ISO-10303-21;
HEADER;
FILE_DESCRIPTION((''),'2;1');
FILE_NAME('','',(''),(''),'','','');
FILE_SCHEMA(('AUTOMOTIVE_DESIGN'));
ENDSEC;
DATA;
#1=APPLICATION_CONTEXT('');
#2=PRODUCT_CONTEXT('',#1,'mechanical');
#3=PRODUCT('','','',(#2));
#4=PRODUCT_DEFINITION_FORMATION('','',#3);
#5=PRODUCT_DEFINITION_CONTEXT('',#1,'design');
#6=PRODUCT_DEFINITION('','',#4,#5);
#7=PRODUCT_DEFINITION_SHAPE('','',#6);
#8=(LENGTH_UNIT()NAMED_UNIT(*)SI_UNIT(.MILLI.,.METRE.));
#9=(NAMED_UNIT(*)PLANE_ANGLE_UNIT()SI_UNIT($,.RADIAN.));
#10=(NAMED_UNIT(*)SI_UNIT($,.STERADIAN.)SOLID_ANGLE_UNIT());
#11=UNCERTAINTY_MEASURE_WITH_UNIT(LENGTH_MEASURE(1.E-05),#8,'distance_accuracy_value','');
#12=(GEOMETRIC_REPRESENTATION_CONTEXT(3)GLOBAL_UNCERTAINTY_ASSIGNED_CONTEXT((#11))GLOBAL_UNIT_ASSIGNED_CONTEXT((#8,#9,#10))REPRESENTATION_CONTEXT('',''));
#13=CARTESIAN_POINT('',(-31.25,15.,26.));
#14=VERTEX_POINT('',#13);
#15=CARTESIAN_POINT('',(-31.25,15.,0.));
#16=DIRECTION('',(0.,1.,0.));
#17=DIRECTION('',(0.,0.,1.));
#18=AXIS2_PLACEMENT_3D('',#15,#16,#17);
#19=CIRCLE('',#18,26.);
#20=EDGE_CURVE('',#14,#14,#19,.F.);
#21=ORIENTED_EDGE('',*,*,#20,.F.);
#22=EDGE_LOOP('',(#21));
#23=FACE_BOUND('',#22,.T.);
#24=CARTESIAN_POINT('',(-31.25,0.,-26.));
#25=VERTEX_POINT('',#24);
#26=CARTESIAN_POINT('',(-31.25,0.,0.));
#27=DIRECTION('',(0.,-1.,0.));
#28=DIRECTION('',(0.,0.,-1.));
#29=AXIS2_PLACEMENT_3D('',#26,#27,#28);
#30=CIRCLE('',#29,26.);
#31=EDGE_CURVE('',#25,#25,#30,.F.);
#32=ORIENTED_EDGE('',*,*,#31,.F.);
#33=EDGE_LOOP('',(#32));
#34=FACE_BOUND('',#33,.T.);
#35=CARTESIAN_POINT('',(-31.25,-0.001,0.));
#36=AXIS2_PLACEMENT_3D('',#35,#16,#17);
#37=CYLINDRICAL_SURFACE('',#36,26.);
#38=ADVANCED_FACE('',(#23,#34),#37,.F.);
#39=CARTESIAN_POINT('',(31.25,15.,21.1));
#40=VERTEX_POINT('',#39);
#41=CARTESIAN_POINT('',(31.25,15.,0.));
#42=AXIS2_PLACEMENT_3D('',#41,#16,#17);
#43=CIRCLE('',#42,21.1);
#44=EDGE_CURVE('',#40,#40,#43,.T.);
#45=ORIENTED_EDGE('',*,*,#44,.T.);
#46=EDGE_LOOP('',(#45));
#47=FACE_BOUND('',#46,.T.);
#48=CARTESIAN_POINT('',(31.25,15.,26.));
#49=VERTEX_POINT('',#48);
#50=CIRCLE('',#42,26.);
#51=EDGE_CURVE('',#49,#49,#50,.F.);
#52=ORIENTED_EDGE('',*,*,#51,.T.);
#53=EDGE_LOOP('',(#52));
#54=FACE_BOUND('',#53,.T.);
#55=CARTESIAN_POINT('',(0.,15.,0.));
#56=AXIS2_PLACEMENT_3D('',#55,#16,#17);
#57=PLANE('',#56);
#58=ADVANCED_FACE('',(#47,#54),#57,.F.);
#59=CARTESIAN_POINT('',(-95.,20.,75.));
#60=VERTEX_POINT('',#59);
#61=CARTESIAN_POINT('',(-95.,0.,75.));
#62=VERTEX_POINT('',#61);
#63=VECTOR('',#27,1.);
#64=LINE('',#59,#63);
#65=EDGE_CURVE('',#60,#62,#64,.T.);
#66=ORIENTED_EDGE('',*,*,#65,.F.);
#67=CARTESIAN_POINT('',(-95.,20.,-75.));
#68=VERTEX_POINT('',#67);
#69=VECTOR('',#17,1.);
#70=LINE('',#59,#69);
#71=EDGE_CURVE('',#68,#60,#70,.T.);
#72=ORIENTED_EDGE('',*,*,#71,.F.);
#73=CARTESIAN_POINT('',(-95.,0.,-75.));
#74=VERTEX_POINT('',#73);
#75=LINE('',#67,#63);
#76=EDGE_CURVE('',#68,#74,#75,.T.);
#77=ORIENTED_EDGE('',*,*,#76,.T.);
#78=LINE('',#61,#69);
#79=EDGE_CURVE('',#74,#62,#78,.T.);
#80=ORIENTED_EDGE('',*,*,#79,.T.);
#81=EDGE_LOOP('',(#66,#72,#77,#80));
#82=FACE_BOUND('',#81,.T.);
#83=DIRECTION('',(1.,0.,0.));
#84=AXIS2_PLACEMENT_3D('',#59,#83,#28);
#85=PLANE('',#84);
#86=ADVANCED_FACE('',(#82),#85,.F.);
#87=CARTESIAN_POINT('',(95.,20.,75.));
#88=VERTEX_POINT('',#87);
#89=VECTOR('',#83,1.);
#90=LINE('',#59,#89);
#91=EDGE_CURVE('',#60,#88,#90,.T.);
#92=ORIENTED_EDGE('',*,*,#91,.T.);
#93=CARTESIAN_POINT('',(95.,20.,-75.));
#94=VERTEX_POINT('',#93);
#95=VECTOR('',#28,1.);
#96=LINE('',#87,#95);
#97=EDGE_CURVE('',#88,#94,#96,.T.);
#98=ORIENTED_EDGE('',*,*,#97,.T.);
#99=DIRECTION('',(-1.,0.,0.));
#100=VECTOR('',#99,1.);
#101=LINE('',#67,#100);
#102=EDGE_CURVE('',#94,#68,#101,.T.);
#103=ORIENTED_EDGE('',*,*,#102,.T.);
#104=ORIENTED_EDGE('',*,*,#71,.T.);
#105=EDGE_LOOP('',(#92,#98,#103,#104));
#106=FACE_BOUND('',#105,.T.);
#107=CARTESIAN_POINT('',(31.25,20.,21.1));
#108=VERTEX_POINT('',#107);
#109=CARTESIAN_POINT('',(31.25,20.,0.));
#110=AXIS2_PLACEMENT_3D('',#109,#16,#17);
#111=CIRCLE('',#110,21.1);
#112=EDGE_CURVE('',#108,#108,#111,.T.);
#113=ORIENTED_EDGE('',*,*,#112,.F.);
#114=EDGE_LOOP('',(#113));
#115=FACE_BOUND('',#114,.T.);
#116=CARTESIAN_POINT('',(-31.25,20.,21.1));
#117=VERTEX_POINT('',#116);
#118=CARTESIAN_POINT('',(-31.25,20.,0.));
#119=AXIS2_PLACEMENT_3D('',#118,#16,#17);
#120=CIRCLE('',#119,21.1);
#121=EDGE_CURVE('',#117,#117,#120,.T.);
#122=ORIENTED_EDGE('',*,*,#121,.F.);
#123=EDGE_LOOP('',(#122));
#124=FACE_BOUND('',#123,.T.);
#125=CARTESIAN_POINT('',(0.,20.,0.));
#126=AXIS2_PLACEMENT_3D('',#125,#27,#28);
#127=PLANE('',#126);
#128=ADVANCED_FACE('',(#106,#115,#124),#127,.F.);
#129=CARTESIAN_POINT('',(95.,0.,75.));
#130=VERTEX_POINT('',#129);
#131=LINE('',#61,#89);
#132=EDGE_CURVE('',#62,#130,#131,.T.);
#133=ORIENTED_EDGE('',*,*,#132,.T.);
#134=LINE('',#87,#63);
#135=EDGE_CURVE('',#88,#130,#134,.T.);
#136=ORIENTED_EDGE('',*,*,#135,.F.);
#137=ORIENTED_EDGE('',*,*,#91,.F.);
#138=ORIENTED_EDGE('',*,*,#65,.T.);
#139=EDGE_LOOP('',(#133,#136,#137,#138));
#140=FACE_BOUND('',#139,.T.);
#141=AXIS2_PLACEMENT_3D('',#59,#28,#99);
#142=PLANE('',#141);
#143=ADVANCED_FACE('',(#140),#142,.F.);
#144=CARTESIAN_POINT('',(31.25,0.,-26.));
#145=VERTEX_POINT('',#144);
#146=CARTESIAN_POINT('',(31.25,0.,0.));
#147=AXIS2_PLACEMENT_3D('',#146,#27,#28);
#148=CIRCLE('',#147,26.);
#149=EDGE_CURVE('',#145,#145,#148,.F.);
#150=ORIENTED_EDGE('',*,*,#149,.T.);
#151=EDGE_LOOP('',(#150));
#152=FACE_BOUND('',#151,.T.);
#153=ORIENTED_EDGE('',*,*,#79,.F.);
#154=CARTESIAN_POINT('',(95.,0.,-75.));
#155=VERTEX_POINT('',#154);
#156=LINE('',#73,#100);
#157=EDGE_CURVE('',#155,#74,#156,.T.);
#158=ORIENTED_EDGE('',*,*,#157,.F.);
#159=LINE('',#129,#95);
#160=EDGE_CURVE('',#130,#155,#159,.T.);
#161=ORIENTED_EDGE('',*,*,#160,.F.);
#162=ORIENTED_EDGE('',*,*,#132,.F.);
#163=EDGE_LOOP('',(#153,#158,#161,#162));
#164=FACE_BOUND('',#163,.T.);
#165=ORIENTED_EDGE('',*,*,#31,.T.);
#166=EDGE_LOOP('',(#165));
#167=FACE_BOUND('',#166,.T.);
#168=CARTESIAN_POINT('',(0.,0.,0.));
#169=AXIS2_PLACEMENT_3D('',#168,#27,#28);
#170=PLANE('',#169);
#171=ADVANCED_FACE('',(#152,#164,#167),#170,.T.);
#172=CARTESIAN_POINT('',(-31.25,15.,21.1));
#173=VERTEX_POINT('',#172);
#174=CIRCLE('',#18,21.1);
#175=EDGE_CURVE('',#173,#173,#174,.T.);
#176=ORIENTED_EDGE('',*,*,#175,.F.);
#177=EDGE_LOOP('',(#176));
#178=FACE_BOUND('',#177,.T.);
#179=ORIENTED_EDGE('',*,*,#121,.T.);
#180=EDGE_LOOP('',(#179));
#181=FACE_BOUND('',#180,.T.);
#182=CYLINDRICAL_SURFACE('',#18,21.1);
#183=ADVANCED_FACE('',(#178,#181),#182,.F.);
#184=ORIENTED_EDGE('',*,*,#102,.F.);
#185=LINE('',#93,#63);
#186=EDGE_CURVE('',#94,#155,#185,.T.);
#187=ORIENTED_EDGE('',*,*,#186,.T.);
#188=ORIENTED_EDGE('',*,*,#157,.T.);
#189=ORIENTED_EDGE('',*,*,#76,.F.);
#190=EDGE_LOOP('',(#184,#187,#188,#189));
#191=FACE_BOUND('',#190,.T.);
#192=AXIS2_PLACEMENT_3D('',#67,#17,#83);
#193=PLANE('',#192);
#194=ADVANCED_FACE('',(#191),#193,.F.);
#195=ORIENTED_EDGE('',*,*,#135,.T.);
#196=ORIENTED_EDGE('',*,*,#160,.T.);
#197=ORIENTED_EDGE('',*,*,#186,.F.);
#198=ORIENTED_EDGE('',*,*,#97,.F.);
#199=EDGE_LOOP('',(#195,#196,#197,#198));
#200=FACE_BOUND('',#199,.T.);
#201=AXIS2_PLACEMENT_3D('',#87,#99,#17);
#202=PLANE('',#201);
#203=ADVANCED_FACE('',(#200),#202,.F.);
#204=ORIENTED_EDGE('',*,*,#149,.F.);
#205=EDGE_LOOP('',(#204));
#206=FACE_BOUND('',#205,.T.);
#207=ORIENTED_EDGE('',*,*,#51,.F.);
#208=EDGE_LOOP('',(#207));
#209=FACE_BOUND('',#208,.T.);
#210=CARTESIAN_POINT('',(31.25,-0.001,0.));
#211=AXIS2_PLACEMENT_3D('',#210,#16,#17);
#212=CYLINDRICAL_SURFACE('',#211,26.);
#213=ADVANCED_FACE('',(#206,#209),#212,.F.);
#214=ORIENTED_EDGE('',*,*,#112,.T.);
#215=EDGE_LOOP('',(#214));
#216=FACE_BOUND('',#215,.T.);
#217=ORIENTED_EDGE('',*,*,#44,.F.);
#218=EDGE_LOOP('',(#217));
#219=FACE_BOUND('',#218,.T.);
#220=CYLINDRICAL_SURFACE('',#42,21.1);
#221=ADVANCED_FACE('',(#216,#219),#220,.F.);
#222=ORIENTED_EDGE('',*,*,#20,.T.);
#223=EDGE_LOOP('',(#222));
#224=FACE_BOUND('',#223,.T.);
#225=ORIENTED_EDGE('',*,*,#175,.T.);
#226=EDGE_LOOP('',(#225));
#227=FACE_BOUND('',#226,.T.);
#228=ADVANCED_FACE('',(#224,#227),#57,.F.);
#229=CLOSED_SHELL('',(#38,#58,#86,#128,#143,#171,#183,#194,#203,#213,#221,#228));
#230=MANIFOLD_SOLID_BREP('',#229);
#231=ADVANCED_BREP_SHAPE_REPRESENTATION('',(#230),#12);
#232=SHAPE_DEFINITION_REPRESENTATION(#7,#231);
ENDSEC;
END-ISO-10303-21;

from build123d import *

# Parameters (mm, degrees)
SKETCH1_W           = 190
SKETCH1_H           = 150
BOSS_EXTRUDE1_DEPTH = 20
CUT_EXTRUDE1_REACH  = 124.678
SKETCH2_R           = 26
SKETCH9_R           = 26
SKETCH9_R_2         = 21.1
BOSS_EXTRUDE2_DEPTH = 5


with BuildPart() as part:
    # Sketch1 → Boss-Extrude1 (new body)
    with BuildSketch(Plane(origin=(0, 0, 0), x_dir=(1, 0, 0), z_dir=(0, 1, 0))):
        Rectangle(SKETCH1_W, SKETCH1_H)
    extrude(amount=BOSS_EXTRUDE1_DEPTH)

    # Sketch2 → Cut-Extrude1 (cut, up to next)
    with BuildSketch(Plane(origin=(0, 20, 0), x_dir=(1, 0, 0), z_dir=(0, 1, 0)), mode=Mode.PRIVATE) as cut_extrude1_sk1:
        with Locations(Location((31.25, 0, 0), (0, 0, 270))):
            Circle(SKETCH2_R)
    cut_extrude1_tool1 = extrude(cut_extrude1_sk1.sketch, amount=-CUT_EXTRUDE1_REACH, mode=Mode.PRIVATE) & part.part
    # Sketch2 → Cut-Extrude1 (cut, up to next)
    with BuildSketch(Plane(origin=(0, 20, 0), x_dir=(1, 0, 0), z_dir=(0, 1, 0)), mode=Mode.PRIVATE) as cut_extrude1_sk2:
        with Locations(Location((-31.25, 0, 0), (0, 0, 270))):
            Circle(SKETCH2_R)
    cut_extrude1_tool2 = extrude(cut_extrude1_sk2.sketch, amount=-CUT_EXTRUDE1_REACH, mode=Mode.PRIVATE) & part.part
    add(cut_extrude1_tool1.solids().sort_by_distance((31.25, 20, 0))[0], mode=Mode.SUBTRACT)
    add(cut_extrude1_tool2.solids().sort_by_distance((-31.25, 20, 0))[0], mode=Mode.SUBTRACT)

    # Sketch9 → Boss-Extrude2 (add)
    # profile 1 of 2: a face of its own
    with BuildSketch(Plane(origin=(0, 20, 0), x_dir=(1, 0, 0), z_dir=(0, 1, 0))):
        with Locations(Location((-31.25, 0, 0), (0, 0, 270))):
            Circle(SKETCH9_R)
        with Locations(Location((-31.25, 0, 0), (0, 0, 270))):
            Circle(SKETCH9_R_2, mode=Mode.SUBTRACT)
    # profile 2 of 2: a face of its own
    with BuildSketch(Plane(origin=(0, 20, 0), x_dir=(1, 0, 0), z_dir=(0, 1, 0))):
        with Locations(Location((31.25, 0, 0), (0, 0, 270))):
            Circle(SKETCH9_R)
        with Locations(Location((31.25, 0, 0), (0, 0, 270))):
            Circle(SKETCH9_R_2, mode=Mode.SUBTRACT)
    extrude(amount=-BOSS_EXTRUDE2_DEPTH)


solid = part.part
